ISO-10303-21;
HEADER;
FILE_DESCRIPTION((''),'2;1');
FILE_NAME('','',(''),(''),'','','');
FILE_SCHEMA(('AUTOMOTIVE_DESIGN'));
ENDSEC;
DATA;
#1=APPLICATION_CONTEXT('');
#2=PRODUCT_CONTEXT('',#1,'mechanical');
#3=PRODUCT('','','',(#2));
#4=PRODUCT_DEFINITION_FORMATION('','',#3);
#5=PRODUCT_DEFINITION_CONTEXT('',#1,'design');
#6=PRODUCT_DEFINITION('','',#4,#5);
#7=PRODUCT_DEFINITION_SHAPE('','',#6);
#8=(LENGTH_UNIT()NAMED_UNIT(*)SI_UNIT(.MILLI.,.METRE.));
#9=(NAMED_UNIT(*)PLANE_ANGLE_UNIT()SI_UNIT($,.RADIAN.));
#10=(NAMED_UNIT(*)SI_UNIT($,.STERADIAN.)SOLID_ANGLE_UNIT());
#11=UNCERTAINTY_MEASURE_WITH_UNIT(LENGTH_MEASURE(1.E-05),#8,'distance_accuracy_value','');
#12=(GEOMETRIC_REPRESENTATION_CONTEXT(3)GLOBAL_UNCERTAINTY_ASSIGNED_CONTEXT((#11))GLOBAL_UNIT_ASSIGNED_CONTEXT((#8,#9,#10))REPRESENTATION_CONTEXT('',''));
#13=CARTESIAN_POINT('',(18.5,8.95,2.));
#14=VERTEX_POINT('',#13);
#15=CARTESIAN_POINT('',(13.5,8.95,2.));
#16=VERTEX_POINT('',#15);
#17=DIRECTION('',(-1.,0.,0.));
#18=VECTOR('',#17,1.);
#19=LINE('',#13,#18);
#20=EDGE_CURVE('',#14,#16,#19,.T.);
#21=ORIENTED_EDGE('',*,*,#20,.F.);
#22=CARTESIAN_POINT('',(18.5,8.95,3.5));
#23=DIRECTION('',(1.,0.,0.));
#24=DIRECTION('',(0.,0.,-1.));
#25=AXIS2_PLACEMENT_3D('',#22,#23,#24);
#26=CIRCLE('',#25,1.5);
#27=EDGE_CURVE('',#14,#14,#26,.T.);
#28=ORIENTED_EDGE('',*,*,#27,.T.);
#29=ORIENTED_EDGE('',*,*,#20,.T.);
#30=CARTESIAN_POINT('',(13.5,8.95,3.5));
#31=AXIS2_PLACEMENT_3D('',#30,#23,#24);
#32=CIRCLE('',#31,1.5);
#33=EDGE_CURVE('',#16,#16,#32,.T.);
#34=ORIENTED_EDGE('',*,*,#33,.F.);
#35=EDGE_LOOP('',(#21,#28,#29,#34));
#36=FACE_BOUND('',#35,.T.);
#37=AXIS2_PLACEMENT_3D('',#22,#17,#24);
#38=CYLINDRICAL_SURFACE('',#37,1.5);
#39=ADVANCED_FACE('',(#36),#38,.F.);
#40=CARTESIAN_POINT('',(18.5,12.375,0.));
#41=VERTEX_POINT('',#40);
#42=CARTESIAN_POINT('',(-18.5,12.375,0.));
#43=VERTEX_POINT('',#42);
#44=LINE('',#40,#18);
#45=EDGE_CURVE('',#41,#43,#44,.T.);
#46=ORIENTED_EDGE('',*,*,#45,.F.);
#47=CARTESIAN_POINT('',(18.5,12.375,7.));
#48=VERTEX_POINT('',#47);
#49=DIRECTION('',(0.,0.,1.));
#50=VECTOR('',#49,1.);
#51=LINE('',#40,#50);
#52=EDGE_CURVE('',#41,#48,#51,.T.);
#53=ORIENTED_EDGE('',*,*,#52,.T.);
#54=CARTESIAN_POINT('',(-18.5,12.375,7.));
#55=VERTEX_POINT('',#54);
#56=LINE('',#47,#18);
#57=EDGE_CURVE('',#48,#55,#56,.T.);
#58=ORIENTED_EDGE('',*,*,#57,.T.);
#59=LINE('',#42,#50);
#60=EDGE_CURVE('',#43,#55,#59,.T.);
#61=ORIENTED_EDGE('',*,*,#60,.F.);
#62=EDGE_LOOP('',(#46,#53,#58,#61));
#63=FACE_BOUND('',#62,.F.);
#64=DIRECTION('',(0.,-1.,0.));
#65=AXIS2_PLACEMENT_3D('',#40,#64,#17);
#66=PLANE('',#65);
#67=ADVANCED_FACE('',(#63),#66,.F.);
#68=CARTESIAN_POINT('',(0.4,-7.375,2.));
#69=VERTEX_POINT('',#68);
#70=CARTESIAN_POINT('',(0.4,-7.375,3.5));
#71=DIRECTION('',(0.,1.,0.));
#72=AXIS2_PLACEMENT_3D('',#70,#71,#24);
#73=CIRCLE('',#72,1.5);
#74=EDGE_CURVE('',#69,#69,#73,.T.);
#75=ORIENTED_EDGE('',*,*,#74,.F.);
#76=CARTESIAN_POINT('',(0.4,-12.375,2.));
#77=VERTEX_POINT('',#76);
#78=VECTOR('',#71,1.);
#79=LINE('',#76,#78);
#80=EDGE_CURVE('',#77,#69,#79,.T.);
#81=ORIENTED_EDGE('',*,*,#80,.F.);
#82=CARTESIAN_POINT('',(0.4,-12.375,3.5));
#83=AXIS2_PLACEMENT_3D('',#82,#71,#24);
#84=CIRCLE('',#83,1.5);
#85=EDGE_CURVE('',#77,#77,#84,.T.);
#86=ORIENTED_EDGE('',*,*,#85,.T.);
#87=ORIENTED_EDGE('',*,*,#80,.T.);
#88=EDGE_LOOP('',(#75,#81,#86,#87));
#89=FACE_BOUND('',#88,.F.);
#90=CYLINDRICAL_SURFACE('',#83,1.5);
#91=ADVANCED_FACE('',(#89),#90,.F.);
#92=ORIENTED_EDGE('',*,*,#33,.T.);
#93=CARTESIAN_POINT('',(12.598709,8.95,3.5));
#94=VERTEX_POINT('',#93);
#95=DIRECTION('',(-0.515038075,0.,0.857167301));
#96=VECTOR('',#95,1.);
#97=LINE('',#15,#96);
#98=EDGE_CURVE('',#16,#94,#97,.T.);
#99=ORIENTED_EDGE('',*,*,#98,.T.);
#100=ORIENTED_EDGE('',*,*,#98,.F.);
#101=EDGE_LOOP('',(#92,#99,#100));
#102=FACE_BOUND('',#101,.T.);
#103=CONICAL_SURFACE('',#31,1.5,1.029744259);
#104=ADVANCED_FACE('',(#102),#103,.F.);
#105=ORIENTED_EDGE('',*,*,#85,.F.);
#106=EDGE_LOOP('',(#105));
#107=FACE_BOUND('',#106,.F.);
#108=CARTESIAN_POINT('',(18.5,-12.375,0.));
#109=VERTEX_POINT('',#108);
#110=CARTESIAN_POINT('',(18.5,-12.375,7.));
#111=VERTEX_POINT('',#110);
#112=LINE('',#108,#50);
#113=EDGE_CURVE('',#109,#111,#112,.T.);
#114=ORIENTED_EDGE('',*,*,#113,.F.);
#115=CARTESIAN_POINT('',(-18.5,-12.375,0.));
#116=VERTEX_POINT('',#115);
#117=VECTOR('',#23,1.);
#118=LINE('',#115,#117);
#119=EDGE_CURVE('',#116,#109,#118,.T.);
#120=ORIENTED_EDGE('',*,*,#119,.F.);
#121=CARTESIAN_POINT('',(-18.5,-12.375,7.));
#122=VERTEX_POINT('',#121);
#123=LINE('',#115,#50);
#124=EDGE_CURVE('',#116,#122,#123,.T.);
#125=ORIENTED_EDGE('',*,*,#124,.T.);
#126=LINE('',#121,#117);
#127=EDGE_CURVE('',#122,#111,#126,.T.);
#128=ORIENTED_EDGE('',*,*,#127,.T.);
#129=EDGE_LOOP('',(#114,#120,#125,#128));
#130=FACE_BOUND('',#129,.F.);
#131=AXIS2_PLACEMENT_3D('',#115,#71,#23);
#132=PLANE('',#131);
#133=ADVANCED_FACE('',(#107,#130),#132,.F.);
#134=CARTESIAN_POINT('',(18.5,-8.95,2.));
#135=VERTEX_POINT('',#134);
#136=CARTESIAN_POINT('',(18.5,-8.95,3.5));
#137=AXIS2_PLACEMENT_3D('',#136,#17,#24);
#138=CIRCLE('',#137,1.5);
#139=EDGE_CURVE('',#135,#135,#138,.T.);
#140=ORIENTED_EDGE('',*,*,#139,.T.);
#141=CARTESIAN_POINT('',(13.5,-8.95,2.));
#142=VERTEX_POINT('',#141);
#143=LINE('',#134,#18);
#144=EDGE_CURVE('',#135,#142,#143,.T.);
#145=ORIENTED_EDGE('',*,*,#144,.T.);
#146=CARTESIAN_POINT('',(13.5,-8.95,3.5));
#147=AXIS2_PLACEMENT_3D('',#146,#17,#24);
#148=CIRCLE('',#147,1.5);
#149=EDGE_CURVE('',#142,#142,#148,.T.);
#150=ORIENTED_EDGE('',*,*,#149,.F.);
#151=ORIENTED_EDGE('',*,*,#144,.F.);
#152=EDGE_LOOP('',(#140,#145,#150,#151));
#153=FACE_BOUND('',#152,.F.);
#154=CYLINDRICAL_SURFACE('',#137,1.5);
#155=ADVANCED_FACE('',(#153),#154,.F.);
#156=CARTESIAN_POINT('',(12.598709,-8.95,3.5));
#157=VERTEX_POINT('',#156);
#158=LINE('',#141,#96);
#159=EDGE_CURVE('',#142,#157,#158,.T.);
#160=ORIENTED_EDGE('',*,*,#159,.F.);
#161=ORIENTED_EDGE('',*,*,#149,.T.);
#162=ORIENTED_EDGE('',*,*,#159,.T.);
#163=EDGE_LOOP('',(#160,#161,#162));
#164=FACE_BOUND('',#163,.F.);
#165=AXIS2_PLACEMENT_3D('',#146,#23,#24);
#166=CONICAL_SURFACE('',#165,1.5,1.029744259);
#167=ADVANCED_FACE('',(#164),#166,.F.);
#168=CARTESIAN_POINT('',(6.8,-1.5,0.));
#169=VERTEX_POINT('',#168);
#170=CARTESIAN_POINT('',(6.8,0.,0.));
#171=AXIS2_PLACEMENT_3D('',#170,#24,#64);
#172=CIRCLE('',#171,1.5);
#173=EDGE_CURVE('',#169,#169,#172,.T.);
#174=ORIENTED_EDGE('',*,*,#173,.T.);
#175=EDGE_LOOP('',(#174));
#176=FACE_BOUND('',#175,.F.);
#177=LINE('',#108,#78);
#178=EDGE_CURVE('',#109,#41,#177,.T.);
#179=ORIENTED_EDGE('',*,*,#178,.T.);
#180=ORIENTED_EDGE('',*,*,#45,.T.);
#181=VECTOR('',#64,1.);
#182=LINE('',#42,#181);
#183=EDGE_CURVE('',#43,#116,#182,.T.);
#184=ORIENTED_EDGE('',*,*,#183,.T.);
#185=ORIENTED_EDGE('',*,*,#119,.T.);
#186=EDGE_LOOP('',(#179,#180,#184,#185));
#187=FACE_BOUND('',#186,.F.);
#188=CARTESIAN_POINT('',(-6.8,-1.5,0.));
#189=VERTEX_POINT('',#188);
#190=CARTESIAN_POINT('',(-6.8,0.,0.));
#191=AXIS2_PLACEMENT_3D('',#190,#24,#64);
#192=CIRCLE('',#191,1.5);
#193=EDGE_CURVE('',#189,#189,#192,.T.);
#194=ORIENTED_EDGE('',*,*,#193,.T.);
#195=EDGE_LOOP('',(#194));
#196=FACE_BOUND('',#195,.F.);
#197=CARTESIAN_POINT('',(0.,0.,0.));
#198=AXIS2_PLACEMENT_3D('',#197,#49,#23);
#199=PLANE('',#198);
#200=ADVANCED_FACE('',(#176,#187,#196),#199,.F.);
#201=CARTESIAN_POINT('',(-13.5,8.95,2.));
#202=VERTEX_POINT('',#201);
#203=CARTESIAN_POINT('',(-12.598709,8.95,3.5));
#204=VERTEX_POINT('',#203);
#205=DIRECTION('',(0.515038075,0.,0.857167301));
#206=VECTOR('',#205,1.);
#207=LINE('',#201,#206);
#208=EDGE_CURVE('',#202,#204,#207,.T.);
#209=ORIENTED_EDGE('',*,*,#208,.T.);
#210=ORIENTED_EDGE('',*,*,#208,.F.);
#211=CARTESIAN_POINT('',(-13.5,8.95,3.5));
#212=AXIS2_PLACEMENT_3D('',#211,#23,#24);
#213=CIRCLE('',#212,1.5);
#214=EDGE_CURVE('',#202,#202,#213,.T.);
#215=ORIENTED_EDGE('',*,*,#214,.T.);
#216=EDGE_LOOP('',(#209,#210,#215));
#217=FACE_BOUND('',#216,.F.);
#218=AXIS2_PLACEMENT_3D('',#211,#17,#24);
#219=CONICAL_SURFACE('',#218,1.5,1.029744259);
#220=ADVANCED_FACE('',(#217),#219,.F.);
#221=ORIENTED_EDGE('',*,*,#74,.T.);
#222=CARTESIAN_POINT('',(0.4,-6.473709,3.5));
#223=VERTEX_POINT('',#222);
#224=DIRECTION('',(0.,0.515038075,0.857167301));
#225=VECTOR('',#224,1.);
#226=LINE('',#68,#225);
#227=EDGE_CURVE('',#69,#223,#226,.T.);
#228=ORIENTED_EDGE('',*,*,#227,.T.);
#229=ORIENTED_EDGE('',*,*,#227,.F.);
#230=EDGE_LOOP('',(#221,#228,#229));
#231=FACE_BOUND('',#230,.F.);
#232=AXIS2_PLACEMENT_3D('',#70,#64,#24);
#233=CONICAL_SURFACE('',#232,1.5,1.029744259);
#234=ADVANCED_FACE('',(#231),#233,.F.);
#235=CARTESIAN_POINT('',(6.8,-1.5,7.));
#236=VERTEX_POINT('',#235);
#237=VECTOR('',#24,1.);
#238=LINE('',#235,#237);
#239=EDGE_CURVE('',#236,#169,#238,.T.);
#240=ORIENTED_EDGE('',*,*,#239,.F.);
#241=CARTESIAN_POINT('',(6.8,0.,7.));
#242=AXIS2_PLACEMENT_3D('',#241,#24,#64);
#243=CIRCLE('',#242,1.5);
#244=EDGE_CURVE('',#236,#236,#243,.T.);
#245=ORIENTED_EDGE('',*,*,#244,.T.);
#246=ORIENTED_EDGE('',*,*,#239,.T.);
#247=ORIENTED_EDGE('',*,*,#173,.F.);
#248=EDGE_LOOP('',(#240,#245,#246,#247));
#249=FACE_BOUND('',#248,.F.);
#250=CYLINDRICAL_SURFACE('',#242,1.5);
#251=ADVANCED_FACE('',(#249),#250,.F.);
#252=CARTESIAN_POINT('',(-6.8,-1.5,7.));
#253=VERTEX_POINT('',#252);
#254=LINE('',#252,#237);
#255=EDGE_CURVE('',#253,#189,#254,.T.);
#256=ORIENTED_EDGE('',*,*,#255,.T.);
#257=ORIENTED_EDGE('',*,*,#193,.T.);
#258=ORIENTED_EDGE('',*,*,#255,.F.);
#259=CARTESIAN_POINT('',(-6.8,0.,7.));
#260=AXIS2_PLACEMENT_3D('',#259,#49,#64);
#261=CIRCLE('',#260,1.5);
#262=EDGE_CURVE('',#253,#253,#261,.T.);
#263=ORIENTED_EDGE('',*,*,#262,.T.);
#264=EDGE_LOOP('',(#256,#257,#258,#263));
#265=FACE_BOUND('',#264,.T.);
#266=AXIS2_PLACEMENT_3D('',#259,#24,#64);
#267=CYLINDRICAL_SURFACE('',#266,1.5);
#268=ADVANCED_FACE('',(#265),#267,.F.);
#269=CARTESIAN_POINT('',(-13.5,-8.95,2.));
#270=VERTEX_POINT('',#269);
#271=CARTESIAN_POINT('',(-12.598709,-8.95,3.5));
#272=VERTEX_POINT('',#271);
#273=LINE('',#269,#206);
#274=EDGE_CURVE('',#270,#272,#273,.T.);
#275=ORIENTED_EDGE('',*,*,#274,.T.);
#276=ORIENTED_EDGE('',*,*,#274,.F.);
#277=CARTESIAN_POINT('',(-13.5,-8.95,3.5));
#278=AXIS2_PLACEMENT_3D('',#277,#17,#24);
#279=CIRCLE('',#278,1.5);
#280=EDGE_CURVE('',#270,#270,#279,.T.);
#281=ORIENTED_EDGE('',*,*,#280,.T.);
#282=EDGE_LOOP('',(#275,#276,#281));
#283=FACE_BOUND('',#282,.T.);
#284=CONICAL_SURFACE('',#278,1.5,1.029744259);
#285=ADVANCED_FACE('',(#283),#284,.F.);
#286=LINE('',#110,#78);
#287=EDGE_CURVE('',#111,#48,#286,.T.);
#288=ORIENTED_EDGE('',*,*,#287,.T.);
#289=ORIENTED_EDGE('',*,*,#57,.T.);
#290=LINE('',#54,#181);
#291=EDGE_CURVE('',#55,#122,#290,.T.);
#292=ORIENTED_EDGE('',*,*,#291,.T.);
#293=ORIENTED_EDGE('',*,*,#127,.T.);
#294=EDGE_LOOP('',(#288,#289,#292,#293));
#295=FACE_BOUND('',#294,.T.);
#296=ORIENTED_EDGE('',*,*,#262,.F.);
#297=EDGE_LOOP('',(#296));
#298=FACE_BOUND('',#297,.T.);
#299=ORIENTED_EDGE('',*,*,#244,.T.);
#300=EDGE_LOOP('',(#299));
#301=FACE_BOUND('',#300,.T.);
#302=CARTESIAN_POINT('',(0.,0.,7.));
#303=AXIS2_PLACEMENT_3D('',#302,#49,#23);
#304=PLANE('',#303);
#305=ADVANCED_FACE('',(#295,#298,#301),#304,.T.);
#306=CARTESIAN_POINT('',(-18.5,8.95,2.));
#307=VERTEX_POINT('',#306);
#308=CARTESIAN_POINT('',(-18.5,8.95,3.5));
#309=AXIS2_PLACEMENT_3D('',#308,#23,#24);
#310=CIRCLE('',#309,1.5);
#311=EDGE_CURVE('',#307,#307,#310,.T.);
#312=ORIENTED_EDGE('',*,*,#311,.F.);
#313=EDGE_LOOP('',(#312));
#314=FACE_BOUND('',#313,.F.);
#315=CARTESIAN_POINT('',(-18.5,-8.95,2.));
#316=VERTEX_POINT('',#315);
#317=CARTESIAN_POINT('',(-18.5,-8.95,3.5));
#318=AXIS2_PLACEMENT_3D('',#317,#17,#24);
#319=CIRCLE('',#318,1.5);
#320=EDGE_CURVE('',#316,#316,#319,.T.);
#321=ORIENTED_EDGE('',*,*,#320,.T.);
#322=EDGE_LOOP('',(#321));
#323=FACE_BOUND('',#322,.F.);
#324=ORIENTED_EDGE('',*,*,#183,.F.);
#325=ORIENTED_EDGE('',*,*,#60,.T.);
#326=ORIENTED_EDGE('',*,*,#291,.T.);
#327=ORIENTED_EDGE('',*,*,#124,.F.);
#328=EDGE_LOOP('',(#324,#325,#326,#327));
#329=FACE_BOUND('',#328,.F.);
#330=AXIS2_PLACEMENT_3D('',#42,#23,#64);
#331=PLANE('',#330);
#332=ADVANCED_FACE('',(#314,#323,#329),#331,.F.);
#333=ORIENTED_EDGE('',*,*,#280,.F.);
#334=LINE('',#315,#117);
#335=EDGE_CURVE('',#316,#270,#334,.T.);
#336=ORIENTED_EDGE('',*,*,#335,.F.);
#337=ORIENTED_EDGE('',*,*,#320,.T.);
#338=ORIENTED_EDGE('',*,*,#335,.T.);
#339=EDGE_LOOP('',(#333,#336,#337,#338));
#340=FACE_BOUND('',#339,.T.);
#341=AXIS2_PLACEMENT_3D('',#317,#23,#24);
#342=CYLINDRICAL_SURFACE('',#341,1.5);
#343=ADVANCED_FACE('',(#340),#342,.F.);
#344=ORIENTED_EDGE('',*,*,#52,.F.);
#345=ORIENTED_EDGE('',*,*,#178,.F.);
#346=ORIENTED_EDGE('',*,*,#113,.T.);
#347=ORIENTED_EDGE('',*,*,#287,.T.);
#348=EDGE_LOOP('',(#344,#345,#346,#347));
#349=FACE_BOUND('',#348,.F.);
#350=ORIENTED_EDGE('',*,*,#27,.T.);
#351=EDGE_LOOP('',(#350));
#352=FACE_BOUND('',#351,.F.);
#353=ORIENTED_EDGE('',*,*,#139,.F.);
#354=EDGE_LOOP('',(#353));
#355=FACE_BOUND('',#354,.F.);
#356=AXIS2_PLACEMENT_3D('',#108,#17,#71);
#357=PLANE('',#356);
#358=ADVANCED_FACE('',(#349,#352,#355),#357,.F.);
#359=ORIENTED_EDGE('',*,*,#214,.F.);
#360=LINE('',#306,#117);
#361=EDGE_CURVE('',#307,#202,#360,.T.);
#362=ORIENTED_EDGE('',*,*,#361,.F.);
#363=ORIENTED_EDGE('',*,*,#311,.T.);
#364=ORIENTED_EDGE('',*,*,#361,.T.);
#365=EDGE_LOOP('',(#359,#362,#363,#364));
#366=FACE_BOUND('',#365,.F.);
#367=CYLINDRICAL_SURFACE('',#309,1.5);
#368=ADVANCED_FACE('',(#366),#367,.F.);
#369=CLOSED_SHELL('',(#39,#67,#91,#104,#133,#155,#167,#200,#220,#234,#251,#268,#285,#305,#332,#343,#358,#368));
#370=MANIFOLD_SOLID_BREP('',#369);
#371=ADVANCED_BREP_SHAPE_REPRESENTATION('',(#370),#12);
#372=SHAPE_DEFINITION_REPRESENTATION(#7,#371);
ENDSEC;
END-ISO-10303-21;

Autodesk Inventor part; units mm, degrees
ref_plane "YZ Plane" through (0, 0, 0) normal (1, 0, 0) x (0, 1, 0)
ref_plane "XZ Plane" through (0, 0, 0) normal (0, 1, 0) x (-1, 0, 0)
ref_plane "XY Plane" through (0, 0, 0) normal (0, 0, 1) x (1, 0, 0)
sketch "Sketch1" plane through (0, 0, 0) normal (0, 0, 1) x (1, 0, 0)
  line L0 (-18.5, -12.375) -> (18.5, -12.375)
  line L1 (18.5, -12.375) -> (18.5, 12.375)
  line L2 (18.5, 12.375) -> (-18.5, 12.375)
  line L3 (-18.5, 12.375) -> (-18.5, -12.375)
  line L4 (-18.5, -12.375) -> (18.5, 12.375) construction
  line L5 (18.5, -12.375) -> (-18.5, 12.375) construction
  point P0 (0, 0)
  dimension "d0" = 37
  dimension "d1" = 24.75
extrude "Extrusion1" add sketch "Sketch1" along normal blind 7
sketch "Sketch2" plane through (18.5, -12.375, 0) normal (1, 0, 0) x (0, 0, -1)
  circle A0 centre (-3.5, 3.425) radius 1.5
  line L0 (-7, 0) -> (-7, 24.75) projected
  line L1 (0, 0) -> (-7, 0) projected
  point P0 (0, 12.375)
  point P1 (-3.5, 0)
  dimension "d4" = 3
  dimension "d5" = 3.5
  dimension "d6" = 3.425
hole "Hole1" at (18.5, -8.95, 3.5) direction (-1, 0, 0) diameter 3 depth 5 tip angle 118
mirror "Mirror1" about plane through (0, 0, 0) normal (0, 1, 0) of "Hole1"
mirror "Mirror2" about plane through (0, 0, 0) normal (1, 0, 0) of "Hole1", "Mirror1"
sketch "Sketch3" plane through (0, 0, 7) normal (0, 0, 1) x (1, 0, 0)
  circle A0 centre (6.8, 0) radius 1.5
  line L0 (18.5, 12.375) -> (-18.5, 12.375) projected
  line L1 (18.5, -12.375) -> (18.5, 12.375) projected
  point P0 (0, 0)
  dimension "d14" = 3
  dimension "d15" = 12.375
  dimension "d16" = 11.7
hole "Hole2" at (6.8, 0, 7) direction (0, 0, -1) diameter 3 end through all
mirror "Mirror3" about plane through (0, 0, 0) normal (1, 0, 0) of "Hole2"
sketch "Sketch4" plane through (-18.5, -12.375, 0) normal (0, -1, 0) x (1, 0, 0)
  circle A0 centre (18.9, 3.5) radius 1.5
  line L0 (0, 7) -> (37, 7) projected
  line L1 (0, 0) -> (0, 7) projected
  point P0 (18.5, 0)
  dimension "d24" = 3
  dimension "d25" = 3.5
  dimension "d26" = 18.9
hole "Hole3" at (0.4, -12.375, 3.5) direction (0, 1, 0) diameter 3 depth 5 tip angle 118
properties part number "Mold_BackWall"
